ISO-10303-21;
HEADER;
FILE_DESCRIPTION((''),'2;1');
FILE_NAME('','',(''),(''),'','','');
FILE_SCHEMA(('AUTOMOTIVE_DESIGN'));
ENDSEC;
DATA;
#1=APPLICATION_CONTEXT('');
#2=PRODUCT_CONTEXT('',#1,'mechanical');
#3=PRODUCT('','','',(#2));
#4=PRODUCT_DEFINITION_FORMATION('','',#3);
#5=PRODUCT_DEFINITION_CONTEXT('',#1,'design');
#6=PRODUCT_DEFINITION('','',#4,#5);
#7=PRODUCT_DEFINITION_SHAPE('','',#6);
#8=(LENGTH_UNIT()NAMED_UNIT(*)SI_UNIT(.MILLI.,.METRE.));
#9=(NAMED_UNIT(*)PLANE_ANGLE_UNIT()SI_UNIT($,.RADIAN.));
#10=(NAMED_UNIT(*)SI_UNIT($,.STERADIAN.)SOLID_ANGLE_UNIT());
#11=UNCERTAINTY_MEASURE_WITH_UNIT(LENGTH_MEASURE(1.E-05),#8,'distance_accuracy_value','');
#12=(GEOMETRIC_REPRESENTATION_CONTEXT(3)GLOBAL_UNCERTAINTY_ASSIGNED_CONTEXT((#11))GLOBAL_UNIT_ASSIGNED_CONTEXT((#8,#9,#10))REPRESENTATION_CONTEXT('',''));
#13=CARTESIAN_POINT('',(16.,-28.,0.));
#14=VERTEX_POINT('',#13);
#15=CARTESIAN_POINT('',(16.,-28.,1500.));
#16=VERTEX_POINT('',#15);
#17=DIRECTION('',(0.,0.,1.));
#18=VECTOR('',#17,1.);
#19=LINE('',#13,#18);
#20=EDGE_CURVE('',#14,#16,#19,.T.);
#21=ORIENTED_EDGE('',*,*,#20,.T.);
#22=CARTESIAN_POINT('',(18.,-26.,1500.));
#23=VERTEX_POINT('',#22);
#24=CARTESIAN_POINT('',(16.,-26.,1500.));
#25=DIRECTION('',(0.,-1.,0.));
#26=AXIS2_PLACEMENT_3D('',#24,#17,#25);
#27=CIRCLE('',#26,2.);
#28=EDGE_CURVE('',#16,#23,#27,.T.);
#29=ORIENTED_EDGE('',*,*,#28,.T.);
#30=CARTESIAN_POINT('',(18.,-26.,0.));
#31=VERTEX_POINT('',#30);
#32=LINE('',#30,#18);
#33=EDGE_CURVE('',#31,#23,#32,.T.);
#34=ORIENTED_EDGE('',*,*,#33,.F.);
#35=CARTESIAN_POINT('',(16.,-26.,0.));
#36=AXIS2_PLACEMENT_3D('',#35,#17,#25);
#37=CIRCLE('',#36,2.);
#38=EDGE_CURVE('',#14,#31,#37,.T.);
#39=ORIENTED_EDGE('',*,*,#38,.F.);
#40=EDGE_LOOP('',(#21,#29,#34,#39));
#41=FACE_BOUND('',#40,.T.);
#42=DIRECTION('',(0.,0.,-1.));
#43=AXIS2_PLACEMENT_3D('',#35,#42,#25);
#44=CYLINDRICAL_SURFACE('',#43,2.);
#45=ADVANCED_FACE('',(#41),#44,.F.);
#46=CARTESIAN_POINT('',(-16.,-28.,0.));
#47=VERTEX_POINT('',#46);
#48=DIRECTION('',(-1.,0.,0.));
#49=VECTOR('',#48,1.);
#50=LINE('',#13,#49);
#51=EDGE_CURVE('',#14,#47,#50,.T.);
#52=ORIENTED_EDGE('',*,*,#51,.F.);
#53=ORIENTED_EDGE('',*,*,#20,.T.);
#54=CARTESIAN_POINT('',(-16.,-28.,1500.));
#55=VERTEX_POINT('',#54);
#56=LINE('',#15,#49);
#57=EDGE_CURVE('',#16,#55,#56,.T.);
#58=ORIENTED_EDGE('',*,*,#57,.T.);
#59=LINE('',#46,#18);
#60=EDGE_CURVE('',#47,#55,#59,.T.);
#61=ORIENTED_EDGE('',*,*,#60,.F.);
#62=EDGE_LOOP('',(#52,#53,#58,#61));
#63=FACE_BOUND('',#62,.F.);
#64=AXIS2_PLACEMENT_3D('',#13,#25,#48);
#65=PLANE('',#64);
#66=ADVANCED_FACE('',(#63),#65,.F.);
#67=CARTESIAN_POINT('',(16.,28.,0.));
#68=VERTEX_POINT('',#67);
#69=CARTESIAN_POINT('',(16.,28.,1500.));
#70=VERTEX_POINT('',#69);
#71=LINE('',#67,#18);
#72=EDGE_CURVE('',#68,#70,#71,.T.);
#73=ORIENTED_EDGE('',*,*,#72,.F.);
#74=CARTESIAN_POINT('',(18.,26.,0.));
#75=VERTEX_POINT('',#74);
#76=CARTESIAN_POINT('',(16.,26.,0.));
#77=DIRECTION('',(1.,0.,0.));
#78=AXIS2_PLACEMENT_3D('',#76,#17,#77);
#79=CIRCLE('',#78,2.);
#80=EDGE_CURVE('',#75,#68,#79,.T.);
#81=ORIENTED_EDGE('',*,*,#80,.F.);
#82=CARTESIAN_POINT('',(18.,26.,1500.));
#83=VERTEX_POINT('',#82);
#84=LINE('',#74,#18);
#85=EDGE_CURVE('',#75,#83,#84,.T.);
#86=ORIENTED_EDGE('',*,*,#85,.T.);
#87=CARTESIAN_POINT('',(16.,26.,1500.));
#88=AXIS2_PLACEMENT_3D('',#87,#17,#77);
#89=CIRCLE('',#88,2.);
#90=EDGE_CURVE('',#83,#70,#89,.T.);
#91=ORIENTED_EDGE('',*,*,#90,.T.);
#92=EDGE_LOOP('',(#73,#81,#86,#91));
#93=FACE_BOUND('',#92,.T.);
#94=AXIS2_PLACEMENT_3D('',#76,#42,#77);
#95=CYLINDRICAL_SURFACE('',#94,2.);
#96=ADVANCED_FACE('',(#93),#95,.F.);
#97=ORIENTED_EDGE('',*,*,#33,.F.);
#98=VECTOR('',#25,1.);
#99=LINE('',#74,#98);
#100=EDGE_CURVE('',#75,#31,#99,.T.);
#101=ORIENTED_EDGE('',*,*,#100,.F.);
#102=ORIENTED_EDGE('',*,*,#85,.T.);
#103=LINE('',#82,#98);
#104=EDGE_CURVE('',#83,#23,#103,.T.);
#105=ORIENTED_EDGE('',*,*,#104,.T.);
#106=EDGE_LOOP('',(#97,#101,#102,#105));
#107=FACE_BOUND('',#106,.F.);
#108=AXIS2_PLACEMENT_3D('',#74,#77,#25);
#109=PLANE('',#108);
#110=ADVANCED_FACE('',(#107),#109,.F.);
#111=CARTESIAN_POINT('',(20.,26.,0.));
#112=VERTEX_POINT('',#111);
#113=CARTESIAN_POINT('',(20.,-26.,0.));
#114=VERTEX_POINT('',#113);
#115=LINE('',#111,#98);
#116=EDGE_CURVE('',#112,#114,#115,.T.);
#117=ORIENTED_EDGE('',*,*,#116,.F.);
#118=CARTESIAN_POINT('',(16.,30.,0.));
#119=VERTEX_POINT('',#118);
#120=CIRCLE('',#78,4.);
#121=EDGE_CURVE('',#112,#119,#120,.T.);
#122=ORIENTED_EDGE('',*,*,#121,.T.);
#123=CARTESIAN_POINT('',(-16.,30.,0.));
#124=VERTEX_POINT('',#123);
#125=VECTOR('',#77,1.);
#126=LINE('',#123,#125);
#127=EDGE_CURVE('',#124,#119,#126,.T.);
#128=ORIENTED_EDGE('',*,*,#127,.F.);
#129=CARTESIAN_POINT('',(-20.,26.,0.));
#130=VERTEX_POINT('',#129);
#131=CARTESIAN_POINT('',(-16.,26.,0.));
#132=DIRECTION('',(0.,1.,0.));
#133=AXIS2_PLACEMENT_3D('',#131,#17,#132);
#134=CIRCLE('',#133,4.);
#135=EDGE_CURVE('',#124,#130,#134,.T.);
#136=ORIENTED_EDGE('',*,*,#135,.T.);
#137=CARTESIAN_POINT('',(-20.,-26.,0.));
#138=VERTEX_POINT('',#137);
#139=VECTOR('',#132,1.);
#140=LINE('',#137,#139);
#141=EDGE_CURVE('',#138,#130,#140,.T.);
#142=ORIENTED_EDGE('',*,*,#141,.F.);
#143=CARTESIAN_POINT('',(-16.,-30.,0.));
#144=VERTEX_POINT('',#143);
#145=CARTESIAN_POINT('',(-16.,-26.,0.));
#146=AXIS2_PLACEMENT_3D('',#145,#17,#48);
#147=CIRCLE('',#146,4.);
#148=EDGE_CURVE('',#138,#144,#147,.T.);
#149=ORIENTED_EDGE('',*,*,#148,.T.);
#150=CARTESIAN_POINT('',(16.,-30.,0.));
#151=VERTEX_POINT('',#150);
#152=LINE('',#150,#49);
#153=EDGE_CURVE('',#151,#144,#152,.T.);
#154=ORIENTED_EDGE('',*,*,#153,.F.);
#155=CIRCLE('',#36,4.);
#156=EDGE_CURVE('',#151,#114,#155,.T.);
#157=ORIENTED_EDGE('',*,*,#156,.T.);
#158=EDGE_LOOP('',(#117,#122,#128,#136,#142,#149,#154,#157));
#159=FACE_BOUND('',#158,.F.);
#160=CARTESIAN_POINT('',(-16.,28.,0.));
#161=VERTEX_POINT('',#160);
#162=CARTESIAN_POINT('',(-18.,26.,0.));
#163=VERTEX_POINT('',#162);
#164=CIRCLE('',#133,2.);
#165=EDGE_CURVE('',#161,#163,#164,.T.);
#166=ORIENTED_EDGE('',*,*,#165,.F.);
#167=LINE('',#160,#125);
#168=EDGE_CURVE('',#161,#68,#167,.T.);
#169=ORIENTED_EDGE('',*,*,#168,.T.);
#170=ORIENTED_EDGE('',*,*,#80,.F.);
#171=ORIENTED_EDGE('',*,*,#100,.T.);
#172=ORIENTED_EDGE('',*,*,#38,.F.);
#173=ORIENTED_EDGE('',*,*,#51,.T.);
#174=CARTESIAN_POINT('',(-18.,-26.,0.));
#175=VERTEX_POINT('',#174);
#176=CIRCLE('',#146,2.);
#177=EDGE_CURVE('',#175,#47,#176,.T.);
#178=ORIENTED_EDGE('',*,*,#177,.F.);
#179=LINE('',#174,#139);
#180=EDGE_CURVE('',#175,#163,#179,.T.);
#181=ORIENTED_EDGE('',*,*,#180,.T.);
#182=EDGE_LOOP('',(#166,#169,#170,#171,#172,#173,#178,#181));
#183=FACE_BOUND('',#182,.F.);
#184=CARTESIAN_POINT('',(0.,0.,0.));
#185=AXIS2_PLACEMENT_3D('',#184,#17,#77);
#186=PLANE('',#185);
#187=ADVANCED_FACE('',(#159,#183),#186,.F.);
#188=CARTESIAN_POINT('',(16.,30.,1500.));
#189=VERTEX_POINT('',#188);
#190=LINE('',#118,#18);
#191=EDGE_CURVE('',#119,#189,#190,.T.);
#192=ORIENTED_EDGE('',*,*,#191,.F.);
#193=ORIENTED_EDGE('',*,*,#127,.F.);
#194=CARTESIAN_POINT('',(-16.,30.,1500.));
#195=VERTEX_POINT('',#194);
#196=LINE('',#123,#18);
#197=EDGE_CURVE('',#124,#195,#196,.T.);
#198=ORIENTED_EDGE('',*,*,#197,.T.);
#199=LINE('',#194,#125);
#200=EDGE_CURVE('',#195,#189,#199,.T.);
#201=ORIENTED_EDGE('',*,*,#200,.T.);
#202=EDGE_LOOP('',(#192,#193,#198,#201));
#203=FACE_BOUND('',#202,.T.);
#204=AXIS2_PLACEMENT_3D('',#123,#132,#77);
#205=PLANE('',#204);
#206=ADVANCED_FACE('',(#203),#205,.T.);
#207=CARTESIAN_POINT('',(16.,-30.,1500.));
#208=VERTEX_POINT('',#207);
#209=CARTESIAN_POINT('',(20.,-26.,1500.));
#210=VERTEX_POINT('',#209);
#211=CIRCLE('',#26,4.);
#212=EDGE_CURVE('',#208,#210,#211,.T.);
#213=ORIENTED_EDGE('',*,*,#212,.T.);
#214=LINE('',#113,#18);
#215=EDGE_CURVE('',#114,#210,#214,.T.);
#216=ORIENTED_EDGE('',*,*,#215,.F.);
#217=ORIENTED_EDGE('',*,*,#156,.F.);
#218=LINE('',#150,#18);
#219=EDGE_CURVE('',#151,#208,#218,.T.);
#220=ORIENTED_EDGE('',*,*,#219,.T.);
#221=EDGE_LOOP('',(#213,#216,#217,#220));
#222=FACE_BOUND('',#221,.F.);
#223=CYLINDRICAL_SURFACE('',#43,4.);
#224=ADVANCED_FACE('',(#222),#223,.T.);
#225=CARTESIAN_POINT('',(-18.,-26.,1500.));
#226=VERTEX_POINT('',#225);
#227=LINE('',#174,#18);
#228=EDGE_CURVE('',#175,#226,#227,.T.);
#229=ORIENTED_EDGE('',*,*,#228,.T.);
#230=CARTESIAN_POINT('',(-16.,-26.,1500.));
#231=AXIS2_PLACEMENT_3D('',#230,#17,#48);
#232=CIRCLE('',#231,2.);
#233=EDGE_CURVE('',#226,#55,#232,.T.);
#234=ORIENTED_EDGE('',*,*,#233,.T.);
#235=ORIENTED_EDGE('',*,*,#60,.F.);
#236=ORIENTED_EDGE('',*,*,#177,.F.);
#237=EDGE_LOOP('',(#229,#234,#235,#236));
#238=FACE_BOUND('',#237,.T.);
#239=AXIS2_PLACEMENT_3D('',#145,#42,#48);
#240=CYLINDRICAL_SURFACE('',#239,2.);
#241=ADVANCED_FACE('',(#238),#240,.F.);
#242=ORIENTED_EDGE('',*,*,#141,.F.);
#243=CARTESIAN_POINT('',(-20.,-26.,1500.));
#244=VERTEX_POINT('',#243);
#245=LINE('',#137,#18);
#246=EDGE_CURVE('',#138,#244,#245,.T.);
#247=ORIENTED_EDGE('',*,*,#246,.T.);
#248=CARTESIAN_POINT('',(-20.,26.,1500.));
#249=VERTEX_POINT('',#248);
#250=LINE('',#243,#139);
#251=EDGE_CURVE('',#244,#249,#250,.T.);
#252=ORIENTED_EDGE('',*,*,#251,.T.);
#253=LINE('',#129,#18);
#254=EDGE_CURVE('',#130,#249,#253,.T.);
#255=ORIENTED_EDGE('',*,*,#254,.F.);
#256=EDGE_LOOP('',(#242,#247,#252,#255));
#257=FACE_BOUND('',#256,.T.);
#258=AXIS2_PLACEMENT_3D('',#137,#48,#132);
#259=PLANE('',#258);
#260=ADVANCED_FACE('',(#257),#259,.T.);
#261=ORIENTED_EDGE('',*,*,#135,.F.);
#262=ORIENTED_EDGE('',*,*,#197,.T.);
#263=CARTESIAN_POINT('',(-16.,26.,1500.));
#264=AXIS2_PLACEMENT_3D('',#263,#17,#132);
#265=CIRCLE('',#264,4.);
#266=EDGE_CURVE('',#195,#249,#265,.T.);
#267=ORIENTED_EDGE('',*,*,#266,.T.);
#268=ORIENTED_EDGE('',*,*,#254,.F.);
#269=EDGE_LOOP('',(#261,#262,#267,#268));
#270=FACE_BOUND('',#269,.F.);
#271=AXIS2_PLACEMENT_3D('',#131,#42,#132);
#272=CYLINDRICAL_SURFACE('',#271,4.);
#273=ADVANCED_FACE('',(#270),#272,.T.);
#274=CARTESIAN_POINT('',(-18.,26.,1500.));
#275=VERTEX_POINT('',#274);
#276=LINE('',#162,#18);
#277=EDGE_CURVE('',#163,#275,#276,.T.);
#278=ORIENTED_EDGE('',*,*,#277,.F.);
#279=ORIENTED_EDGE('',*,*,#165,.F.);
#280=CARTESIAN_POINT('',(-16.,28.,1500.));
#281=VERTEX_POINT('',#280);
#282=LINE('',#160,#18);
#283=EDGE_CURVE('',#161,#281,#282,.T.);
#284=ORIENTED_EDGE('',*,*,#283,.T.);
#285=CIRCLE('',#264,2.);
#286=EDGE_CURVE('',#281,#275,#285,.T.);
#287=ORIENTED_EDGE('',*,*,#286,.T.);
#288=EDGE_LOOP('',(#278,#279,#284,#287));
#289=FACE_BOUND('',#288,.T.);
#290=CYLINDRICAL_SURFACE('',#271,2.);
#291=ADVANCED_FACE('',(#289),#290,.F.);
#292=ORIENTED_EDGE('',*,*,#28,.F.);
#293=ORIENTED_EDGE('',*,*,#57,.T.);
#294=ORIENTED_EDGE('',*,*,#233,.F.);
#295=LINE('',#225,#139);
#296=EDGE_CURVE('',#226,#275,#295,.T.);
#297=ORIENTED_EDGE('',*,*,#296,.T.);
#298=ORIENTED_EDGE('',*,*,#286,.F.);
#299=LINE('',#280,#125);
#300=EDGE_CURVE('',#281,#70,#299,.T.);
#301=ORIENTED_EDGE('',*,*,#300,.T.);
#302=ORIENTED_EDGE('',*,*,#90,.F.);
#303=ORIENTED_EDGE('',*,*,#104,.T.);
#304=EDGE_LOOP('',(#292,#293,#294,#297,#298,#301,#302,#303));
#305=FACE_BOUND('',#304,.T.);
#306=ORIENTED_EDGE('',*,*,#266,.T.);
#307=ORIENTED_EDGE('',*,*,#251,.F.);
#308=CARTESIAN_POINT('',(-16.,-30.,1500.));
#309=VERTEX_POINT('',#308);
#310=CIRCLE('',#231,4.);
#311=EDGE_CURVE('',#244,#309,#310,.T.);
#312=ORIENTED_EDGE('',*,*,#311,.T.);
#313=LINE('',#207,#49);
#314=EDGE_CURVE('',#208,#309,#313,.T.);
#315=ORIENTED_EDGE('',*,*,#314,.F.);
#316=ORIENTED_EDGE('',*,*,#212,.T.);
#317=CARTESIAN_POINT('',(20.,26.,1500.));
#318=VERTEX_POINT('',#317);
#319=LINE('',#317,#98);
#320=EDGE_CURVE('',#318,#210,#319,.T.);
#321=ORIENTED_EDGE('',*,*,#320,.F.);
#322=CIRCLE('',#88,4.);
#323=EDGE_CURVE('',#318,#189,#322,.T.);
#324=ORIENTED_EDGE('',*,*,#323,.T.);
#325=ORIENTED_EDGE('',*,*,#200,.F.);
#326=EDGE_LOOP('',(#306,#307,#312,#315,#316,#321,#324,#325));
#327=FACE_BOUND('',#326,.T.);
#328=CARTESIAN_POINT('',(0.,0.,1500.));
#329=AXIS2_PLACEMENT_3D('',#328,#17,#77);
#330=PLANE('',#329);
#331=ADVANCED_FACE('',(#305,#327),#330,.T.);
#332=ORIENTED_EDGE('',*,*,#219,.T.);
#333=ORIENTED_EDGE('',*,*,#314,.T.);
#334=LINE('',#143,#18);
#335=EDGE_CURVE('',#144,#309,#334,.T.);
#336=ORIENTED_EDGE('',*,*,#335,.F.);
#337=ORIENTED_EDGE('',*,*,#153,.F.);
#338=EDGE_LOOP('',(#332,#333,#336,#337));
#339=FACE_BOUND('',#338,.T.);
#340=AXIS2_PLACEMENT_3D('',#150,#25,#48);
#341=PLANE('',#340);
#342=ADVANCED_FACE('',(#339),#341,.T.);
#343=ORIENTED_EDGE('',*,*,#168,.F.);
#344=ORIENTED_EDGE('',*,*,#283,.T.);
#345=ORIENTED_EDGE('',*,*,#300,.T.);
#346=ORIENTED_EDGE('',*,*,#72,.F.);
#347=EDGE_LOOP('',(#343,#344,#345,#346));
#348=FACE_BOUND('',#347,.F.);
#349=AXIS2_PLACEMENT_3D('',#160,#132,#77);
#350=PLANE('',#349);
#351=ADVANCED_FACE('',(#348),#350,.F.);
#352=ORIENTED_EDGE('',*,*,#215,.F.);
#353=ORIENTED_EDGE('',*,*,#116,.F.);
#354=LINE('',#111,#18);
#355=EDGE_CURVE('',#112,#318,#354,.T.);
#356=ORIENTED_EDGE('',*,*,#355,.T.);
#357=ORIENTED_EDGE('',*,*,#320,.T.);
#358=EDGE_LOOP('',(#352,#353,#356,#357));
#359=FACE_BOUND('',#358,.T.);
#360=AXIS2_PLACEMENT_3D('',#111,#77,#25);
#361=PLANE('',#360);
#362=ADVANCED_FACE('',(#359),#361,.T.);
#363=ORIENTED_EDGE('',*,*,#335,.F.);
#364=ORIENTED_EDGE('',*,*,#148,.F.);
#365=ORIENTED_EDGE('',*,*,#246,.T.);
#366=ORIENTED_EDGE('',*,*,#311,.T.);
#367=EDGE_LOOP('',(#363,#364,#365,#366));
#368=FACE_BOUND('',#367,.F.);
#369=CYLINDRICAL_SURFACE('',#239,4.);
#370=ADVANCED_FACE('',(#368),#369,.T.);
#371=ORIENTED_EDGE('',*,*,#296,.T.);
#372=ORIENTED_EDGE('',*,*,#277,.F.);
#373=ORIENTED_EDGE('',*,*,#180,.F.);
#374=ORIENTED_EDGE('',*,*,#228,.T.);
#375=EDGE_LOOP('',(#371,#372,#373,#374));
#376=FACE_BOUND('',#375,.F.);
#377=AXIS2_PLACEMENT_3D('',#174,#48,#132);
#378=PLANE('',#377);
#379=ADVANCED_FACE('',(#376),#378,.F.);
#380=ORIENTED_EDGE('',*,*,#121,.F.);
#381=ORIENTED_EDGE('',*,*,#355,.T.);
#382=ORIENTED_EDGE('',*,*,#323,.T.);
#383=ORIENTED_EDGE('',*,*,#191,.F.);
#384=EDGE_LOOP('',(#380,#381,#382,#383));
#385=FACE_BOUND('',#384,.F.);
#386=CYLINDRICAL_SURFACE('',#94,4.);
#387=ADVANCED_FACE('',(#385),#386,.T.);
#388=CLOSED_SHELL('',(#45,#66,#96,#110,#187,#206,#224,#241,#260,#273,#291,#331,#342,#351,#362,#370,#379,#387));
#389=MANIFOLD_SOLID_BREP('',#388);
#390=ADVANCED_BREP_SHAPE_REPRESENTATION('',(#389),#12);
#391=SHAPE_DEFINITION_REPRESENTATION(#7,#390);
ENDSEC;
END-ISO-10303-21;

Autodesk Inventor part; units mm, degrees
ref_plane "YZ Plane" through (0, 0, 0) normal (1, 0, 0) x (0, 1, 0)
ref_plane "Start Plane" through (0, 0, 0) normal (0, 0, 1) x (1, 0, 0)
ref_plane "End Plane" through (0, 0, 1500) normal (0, 0, 1) x (1, 0, 0)
sketch "Sketch" plane through (0, 0, 0) normal (0, 0, 1) x (1, 0, 0)
  line L0 (-20, -26) -> (-20, 26)
  line L1 (-16, 30) -> (16, 30)
  line L2 (20, 26) -> (20, -26)
  line L3 (16, -30) -> (-16, -30)
  arc A0 (-20, -26) -> (-16, -30) centre (-16, -26) ccw
  arc A1 (20, 26) -> (16, 30) centre (16, 26) ccw
  arc A2 (-16, 30) -> (-20, 26) centre (-16, 26) ccw
  arc A3 (16, -30) -> (20, -26) centre (16, -26) ccw
  arc A4 (-16, 28) -> (-18, 26) centre (-16, 26) ccw
  line L4 (-16, 28) -> (16, 28)
  arc A5 (18, 26) -> (16, 28) centre (16, 26) ccw
  line L5 (18, 26) -> (18, -26)
  arc A6 (16, -28) -> (18, -26) centre (16, -26) ccw
  line L6 (16, -28) -> (-16, -28)
  arc A7 (-18, -26) -> (-16, -28) centre (-16, -26) ccw
  line L7 (-18, -26) -> (-18, 26)
  line L8 (0, 43.1598) -> (0, -43.1598) construction
  line L9 (-29.1598, 0) -> (29.1598, 0) construction
  dimension "d7" = 4
  dimension "d9" = 40
  dimension "d11" = 60
  dimension "d12" = 2
  dimension "d15" = 20
  dimension "d16" = 30
extrude "Body" add sketch "Sketch" along normal up to surface (1500 mm away) from surface at 0
sketch "Sketch3" plane through (0, 0, 0) normal (0, 0, 1) x (1, 0, 0)
  line L0 (0, 0) -> (10, 0)
ref_plane "Work Plane3" through (0, 0, 0) normal (0, -1, 0) x (1, 0, 0)
sketch "Sketch4" plane through (0, 0, 0) normal (0, -1, 0) x (1, 0, 0)
  line L0 (-2, 0) -> (12, 0) projected
  line L1 (-2, 1500) -> (12, 1500) projected
  dimension "d18" = 1500
equation "\"d7\" = G_IR"
equation "\"d9\" = G_W"
equation "\"d11\" = G_H"
equation "\"d12\" = G_T"
equation "\"d15\" = 0.5 * d9"
equation "\"d16\" = 0.5 * d11"
equation "\"d3\" = G_L"
equation "\"G_W\" = 40"
equation "\"G_H\" = 60"
equation "\"G_T\" = 2"
equation "\"G_IR\" = 4"
equation "\"G_L\" = d18"
equation "\"G_OFFSET_START\" = 0"
equation "\"G_OFFSET_END\" = 0"
properties part number "ISO 4019 - 60x40x2 - 1500" material "Steel, Mild"
